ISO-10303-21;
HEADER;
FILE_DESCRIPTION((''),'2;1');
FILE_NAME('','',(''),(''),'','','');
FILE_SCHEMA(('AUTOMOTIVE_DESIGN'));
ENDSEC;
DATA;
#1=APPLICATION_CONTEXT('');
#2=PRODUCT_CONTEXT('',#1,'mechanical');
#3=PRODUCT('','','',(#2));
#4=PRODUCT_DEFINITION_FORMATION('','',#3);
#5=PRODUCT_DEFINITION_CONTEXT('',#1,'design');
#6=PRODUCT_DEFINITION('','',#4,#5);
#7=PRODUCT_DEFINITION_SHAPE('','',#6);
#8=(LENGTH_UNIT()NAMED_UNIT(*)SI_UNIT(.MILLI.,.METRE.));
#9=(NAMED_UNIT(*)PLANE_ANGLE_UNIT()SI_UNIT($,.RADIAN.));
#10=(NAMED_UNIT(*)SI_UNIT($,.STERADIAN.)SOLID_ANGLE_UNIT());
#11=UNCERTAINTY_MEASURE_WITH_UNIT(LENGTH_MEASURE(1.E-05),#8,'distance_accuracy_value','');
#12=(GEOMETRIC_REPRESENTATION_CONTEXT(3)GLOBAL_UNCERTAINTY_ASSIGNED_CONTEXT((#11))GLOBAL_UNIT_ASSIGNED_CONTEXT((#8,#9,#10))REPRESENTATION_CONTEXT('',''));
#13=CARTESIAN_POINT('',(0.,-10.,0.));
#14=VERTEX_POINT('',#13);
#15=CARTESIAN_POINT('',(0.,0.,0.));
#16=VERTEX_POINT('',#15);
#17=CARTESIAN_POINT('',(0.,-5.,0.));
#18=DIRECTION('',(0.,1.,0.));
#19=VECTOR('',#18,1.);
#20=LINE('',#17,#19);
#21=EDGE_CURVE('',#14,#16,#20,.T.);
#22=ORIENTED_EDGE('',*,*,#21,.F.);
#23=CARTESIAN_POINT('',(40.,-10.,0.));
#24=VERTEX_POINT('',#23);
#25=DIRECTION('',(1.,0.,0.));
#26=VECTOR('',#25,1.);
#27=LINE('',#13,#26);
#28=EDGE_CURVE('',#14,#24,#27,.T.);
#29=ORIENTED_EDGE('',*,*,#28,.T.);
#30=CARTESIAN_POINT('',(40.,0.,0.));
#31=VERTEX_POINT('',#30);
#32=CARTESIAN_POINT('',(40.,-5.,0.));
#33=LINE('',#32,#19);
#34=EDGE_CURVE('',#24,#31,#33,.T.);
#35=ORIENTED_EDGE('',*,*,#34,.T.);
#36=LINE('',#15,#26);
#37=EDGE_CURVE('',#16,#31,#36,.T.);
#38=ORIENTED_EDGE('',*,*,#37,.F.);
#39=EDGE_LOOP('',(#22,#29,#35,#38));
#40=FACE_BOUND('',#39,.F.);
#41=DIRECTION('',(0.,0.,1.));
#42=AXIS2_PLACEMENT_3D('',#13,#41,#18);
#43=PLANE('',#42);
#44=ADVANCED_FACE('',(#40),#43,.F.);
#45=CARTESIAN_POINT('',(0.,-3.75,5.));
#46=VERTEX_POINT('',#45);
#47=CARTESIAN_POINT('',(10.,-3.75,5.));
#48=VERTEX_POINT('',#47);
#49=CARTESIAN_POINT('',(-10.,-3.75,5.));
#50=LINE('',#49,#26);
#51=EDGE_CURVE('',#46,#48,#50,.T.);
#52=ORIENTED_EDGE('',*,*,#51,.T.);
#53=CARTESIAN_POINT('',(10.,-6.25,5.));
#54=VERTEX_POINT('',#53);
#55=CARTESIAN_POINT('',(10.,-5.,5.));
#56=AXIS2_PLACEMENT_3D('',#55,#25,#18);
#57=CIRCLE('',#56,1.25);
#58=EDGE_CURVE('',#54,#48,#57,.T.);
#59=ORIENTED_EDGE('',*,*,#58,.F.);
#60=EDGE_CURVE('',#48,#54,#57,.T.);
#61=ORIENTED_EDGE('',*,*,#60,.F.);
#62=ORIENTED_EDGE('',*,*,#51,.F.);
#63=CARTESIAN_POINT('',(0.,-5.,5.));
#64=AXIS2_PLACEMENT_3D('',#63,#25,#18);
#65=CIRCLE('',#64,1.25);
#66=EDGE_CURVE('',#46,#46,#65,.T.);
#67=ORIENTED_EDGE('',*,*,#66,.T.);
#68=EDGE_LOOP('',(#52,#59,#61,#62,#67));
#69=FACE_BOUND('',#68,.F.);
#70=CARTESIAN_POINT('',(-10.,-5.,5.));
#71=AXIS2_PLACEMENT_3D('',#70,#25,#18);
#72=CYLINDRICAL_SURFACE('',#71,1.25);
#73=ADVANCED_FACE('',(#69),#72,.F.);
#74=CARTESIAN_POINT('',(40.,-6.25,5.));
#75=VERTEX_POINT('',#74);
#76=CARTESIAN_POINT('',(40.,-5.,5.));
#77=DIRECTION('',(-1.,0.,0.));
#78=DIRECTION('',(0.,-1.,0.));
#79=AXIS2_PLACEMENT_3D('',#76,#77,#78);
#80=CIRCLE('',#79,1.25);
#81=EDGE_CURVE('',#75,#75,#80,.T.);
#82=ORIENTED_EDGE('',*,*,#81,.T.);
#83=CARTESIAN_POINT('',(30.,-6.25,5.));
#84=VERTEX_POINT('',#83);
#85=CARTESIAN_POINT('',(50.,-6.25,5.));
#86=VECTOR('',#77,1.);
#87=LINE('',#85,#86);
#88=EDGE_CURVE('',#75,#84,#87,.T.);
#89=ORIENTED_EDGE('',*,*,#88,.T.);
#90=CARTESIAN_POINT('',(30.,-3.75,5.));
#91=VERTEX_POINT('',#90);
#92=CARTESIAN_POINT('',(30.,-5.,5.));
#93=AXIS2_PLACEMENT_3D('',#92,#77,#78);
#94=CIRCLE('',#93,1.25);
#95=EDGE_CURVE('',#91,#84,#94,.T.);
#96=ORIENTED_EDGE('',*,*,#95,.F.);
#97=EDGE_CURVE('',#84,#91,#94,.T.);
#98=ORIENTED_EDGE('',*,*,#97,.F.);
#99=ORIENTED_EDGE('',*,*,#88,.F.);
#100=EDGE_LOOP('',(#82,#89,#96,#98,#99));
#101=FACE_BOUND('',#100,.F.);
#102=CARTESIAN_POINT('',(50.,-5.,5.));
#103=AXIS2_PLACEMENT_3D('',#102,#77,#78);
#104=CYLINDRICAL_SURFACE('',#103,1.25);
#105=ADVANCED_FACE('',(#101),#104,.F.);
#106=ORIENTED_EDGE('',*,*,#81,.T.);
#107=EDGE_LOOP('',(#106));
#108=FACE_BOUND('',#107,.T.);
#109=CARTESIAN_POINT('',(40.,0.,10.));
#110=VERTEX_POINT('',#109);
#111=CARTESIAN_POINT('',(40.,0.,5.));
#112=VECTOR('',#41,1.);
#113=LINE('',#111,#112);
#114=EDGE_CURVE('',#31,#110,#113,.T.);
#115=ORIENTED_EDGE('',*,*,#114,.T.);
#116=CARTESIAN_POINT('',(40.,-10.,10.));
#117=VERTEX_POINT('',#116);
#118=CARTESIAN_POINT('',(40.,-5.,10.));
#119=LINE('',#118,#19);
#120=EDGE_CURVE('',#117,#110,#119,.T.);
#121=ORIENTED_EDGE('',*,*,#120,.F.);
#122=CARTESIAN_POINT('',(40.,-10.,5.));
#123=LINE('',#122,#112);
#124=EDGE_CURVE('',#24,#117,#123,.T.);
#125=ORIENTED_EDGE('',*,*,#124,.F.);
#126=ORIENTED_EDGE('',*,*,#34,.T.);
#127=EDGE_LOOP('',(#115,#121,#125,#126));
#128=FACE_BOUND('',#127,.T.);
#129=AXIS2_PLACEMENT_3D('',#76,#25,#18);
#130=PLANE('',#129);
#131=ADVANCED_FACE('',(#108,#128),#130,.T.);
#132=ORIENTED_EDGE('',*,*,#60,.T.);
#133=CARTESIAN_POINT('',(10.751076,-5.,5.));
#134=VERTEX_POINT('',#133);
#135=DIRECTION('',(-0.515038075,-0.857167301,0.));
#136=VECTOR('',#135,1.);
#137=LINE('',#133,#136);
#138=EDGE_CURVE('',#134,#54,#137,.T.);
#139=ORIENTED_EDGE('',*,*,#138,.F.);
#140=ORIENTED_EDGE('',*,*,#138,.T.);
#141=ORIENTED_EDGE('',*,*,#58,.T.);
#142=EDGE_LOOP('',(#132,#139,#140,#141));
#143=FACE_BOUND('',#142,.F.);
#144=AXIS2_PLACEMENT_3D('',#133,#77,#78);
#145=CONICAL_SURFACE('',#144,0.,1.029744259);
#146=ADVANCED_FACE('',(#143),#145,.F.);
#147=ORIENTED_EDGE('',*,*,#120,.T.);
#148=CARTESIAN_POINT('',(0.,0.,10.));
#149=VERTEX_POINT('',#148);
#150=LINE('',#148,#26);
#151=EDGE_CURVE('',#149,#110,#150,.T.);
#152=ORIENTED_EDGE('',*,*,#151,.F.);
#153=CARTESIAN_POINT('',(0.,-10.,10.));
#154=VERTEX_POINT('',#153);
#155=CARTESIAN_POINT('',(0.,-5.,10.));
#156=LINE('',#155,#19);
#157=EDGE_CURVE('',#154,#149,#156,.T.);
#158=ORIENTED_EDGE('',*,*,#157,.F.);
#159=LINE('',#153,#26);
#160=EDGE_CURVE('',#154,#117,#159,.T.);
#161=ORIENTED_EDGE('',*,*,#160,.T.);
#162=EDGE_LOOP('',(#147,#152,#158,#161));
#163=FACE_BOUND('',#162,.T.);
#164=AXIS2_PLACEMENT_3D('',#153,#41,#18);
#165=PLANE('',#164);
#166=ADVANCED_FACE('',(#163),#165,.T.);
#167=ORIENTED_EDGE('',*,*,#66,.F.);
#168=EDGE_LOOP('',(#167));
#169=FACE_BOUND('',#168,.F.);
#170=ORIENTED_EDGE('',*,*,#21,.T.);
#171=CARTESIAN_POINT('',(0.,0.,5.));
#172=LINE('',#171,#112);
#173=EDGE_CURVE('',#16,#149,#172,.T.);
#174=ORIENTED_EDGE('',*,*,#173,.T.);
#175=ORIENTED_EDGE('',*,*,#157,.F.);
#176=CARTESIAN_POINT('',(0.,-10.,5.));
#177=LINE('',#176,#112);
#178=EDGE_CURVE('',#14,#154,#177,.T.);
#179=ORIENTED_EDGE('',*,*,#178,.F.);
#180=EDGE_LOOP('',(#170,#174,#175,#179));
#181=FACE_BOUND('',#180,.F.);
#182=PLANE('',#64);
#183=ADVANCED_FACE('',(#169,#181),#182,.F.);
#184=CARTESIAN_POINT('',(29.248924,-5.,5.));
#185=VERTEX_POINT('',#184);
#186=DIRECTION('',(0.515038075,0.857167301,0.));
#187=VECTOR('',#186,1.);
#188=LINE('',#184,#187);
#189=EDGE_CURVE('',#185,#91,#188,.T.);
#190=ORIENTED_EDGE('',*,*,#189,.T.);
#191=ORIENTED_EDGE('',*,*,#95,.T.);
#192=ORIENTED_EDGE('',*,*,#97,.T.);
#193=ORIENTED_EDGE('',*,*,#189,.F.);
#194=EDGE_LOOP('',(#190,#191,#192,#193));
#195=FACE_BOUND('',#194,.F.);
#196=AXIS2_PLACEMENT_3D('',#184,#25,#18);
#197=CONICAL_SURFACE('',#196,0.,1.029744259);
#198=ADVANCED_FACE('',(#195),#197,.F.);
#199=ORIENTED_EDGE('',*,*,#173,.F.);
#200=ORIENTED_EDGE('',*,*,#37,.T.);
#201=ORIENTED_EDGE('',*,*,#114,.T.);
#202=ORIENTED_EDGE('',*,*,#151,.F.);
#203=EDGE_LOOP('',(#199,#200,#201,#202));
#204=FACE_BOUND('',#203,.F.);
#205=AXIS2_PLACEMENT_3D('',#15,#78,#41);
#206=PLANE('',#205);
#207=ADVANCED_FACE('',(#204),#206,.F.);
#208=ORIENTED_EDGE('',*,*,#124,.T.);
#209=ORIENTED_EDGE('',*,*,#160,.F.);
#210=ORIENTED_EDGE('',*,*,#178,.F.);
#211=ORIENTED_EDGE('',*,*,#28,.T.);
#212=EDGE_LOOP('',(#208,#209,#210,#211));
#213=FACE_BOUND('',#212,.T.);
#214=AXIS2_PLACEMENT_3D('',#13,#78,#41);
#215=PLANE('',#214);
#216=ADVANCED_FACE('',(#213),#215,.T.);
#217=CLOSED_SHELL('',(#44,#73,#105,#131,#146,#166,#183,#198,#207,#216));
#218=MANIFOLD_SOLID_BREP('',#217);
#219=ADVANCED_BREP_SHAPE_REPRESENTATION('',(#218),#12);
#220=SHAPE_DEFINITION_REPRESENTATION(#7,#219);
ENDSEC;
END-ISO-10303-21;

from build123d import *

# Parameters (mm, degrees)
F0_W     = 10
F0_H     = 10
F1_DEPTH = 40
F3_D     = 2.5
F3_DEPTH = 10
F3_TIP   = 0.7510757738
F5_D     = 2.5
F5_DEPTH = 10
F5_TIP   = 0.7510757738


with BuildPart() as f1:
    # F0 (on Right) → F1 (new body)
    with BuildSketch(Plane.YZ):
        with Locations((-5, 5)):
            Rectangle(F0_W, F0_H)
    extrude(amount=F1_DEPTH)

    # F3
    with Locations(Plane.YZ.offset(40)):
        with Locations((-5, 5)):
            Hole(F3_D / 2, depth=F3_DEPTH)
            with Locations((0, 0, -(F3_DEPTH + F3_TIP / 2))):  # 118° drill point
                Cone(0, F3_D / 2, F3_TIP, mode=Mode.SUBTRACT)

    # F5
    with Locations(Plane(origin=(0, 0, 0), x_dir=(0, -1, 0), z_dir=(-1, 0, 0))):
        with Locations((5, 5)):
            Hole(F5_D / 2, depth=F5_DEPTH)
            with Locations((0, 0, -(F5_DEPTH + F5_TIP / 2))):  # 118° drill point
                Cone(0, F5_D / 2, F5_TIP, mode=Mode.SUBTRACT)


solid = f1.part
